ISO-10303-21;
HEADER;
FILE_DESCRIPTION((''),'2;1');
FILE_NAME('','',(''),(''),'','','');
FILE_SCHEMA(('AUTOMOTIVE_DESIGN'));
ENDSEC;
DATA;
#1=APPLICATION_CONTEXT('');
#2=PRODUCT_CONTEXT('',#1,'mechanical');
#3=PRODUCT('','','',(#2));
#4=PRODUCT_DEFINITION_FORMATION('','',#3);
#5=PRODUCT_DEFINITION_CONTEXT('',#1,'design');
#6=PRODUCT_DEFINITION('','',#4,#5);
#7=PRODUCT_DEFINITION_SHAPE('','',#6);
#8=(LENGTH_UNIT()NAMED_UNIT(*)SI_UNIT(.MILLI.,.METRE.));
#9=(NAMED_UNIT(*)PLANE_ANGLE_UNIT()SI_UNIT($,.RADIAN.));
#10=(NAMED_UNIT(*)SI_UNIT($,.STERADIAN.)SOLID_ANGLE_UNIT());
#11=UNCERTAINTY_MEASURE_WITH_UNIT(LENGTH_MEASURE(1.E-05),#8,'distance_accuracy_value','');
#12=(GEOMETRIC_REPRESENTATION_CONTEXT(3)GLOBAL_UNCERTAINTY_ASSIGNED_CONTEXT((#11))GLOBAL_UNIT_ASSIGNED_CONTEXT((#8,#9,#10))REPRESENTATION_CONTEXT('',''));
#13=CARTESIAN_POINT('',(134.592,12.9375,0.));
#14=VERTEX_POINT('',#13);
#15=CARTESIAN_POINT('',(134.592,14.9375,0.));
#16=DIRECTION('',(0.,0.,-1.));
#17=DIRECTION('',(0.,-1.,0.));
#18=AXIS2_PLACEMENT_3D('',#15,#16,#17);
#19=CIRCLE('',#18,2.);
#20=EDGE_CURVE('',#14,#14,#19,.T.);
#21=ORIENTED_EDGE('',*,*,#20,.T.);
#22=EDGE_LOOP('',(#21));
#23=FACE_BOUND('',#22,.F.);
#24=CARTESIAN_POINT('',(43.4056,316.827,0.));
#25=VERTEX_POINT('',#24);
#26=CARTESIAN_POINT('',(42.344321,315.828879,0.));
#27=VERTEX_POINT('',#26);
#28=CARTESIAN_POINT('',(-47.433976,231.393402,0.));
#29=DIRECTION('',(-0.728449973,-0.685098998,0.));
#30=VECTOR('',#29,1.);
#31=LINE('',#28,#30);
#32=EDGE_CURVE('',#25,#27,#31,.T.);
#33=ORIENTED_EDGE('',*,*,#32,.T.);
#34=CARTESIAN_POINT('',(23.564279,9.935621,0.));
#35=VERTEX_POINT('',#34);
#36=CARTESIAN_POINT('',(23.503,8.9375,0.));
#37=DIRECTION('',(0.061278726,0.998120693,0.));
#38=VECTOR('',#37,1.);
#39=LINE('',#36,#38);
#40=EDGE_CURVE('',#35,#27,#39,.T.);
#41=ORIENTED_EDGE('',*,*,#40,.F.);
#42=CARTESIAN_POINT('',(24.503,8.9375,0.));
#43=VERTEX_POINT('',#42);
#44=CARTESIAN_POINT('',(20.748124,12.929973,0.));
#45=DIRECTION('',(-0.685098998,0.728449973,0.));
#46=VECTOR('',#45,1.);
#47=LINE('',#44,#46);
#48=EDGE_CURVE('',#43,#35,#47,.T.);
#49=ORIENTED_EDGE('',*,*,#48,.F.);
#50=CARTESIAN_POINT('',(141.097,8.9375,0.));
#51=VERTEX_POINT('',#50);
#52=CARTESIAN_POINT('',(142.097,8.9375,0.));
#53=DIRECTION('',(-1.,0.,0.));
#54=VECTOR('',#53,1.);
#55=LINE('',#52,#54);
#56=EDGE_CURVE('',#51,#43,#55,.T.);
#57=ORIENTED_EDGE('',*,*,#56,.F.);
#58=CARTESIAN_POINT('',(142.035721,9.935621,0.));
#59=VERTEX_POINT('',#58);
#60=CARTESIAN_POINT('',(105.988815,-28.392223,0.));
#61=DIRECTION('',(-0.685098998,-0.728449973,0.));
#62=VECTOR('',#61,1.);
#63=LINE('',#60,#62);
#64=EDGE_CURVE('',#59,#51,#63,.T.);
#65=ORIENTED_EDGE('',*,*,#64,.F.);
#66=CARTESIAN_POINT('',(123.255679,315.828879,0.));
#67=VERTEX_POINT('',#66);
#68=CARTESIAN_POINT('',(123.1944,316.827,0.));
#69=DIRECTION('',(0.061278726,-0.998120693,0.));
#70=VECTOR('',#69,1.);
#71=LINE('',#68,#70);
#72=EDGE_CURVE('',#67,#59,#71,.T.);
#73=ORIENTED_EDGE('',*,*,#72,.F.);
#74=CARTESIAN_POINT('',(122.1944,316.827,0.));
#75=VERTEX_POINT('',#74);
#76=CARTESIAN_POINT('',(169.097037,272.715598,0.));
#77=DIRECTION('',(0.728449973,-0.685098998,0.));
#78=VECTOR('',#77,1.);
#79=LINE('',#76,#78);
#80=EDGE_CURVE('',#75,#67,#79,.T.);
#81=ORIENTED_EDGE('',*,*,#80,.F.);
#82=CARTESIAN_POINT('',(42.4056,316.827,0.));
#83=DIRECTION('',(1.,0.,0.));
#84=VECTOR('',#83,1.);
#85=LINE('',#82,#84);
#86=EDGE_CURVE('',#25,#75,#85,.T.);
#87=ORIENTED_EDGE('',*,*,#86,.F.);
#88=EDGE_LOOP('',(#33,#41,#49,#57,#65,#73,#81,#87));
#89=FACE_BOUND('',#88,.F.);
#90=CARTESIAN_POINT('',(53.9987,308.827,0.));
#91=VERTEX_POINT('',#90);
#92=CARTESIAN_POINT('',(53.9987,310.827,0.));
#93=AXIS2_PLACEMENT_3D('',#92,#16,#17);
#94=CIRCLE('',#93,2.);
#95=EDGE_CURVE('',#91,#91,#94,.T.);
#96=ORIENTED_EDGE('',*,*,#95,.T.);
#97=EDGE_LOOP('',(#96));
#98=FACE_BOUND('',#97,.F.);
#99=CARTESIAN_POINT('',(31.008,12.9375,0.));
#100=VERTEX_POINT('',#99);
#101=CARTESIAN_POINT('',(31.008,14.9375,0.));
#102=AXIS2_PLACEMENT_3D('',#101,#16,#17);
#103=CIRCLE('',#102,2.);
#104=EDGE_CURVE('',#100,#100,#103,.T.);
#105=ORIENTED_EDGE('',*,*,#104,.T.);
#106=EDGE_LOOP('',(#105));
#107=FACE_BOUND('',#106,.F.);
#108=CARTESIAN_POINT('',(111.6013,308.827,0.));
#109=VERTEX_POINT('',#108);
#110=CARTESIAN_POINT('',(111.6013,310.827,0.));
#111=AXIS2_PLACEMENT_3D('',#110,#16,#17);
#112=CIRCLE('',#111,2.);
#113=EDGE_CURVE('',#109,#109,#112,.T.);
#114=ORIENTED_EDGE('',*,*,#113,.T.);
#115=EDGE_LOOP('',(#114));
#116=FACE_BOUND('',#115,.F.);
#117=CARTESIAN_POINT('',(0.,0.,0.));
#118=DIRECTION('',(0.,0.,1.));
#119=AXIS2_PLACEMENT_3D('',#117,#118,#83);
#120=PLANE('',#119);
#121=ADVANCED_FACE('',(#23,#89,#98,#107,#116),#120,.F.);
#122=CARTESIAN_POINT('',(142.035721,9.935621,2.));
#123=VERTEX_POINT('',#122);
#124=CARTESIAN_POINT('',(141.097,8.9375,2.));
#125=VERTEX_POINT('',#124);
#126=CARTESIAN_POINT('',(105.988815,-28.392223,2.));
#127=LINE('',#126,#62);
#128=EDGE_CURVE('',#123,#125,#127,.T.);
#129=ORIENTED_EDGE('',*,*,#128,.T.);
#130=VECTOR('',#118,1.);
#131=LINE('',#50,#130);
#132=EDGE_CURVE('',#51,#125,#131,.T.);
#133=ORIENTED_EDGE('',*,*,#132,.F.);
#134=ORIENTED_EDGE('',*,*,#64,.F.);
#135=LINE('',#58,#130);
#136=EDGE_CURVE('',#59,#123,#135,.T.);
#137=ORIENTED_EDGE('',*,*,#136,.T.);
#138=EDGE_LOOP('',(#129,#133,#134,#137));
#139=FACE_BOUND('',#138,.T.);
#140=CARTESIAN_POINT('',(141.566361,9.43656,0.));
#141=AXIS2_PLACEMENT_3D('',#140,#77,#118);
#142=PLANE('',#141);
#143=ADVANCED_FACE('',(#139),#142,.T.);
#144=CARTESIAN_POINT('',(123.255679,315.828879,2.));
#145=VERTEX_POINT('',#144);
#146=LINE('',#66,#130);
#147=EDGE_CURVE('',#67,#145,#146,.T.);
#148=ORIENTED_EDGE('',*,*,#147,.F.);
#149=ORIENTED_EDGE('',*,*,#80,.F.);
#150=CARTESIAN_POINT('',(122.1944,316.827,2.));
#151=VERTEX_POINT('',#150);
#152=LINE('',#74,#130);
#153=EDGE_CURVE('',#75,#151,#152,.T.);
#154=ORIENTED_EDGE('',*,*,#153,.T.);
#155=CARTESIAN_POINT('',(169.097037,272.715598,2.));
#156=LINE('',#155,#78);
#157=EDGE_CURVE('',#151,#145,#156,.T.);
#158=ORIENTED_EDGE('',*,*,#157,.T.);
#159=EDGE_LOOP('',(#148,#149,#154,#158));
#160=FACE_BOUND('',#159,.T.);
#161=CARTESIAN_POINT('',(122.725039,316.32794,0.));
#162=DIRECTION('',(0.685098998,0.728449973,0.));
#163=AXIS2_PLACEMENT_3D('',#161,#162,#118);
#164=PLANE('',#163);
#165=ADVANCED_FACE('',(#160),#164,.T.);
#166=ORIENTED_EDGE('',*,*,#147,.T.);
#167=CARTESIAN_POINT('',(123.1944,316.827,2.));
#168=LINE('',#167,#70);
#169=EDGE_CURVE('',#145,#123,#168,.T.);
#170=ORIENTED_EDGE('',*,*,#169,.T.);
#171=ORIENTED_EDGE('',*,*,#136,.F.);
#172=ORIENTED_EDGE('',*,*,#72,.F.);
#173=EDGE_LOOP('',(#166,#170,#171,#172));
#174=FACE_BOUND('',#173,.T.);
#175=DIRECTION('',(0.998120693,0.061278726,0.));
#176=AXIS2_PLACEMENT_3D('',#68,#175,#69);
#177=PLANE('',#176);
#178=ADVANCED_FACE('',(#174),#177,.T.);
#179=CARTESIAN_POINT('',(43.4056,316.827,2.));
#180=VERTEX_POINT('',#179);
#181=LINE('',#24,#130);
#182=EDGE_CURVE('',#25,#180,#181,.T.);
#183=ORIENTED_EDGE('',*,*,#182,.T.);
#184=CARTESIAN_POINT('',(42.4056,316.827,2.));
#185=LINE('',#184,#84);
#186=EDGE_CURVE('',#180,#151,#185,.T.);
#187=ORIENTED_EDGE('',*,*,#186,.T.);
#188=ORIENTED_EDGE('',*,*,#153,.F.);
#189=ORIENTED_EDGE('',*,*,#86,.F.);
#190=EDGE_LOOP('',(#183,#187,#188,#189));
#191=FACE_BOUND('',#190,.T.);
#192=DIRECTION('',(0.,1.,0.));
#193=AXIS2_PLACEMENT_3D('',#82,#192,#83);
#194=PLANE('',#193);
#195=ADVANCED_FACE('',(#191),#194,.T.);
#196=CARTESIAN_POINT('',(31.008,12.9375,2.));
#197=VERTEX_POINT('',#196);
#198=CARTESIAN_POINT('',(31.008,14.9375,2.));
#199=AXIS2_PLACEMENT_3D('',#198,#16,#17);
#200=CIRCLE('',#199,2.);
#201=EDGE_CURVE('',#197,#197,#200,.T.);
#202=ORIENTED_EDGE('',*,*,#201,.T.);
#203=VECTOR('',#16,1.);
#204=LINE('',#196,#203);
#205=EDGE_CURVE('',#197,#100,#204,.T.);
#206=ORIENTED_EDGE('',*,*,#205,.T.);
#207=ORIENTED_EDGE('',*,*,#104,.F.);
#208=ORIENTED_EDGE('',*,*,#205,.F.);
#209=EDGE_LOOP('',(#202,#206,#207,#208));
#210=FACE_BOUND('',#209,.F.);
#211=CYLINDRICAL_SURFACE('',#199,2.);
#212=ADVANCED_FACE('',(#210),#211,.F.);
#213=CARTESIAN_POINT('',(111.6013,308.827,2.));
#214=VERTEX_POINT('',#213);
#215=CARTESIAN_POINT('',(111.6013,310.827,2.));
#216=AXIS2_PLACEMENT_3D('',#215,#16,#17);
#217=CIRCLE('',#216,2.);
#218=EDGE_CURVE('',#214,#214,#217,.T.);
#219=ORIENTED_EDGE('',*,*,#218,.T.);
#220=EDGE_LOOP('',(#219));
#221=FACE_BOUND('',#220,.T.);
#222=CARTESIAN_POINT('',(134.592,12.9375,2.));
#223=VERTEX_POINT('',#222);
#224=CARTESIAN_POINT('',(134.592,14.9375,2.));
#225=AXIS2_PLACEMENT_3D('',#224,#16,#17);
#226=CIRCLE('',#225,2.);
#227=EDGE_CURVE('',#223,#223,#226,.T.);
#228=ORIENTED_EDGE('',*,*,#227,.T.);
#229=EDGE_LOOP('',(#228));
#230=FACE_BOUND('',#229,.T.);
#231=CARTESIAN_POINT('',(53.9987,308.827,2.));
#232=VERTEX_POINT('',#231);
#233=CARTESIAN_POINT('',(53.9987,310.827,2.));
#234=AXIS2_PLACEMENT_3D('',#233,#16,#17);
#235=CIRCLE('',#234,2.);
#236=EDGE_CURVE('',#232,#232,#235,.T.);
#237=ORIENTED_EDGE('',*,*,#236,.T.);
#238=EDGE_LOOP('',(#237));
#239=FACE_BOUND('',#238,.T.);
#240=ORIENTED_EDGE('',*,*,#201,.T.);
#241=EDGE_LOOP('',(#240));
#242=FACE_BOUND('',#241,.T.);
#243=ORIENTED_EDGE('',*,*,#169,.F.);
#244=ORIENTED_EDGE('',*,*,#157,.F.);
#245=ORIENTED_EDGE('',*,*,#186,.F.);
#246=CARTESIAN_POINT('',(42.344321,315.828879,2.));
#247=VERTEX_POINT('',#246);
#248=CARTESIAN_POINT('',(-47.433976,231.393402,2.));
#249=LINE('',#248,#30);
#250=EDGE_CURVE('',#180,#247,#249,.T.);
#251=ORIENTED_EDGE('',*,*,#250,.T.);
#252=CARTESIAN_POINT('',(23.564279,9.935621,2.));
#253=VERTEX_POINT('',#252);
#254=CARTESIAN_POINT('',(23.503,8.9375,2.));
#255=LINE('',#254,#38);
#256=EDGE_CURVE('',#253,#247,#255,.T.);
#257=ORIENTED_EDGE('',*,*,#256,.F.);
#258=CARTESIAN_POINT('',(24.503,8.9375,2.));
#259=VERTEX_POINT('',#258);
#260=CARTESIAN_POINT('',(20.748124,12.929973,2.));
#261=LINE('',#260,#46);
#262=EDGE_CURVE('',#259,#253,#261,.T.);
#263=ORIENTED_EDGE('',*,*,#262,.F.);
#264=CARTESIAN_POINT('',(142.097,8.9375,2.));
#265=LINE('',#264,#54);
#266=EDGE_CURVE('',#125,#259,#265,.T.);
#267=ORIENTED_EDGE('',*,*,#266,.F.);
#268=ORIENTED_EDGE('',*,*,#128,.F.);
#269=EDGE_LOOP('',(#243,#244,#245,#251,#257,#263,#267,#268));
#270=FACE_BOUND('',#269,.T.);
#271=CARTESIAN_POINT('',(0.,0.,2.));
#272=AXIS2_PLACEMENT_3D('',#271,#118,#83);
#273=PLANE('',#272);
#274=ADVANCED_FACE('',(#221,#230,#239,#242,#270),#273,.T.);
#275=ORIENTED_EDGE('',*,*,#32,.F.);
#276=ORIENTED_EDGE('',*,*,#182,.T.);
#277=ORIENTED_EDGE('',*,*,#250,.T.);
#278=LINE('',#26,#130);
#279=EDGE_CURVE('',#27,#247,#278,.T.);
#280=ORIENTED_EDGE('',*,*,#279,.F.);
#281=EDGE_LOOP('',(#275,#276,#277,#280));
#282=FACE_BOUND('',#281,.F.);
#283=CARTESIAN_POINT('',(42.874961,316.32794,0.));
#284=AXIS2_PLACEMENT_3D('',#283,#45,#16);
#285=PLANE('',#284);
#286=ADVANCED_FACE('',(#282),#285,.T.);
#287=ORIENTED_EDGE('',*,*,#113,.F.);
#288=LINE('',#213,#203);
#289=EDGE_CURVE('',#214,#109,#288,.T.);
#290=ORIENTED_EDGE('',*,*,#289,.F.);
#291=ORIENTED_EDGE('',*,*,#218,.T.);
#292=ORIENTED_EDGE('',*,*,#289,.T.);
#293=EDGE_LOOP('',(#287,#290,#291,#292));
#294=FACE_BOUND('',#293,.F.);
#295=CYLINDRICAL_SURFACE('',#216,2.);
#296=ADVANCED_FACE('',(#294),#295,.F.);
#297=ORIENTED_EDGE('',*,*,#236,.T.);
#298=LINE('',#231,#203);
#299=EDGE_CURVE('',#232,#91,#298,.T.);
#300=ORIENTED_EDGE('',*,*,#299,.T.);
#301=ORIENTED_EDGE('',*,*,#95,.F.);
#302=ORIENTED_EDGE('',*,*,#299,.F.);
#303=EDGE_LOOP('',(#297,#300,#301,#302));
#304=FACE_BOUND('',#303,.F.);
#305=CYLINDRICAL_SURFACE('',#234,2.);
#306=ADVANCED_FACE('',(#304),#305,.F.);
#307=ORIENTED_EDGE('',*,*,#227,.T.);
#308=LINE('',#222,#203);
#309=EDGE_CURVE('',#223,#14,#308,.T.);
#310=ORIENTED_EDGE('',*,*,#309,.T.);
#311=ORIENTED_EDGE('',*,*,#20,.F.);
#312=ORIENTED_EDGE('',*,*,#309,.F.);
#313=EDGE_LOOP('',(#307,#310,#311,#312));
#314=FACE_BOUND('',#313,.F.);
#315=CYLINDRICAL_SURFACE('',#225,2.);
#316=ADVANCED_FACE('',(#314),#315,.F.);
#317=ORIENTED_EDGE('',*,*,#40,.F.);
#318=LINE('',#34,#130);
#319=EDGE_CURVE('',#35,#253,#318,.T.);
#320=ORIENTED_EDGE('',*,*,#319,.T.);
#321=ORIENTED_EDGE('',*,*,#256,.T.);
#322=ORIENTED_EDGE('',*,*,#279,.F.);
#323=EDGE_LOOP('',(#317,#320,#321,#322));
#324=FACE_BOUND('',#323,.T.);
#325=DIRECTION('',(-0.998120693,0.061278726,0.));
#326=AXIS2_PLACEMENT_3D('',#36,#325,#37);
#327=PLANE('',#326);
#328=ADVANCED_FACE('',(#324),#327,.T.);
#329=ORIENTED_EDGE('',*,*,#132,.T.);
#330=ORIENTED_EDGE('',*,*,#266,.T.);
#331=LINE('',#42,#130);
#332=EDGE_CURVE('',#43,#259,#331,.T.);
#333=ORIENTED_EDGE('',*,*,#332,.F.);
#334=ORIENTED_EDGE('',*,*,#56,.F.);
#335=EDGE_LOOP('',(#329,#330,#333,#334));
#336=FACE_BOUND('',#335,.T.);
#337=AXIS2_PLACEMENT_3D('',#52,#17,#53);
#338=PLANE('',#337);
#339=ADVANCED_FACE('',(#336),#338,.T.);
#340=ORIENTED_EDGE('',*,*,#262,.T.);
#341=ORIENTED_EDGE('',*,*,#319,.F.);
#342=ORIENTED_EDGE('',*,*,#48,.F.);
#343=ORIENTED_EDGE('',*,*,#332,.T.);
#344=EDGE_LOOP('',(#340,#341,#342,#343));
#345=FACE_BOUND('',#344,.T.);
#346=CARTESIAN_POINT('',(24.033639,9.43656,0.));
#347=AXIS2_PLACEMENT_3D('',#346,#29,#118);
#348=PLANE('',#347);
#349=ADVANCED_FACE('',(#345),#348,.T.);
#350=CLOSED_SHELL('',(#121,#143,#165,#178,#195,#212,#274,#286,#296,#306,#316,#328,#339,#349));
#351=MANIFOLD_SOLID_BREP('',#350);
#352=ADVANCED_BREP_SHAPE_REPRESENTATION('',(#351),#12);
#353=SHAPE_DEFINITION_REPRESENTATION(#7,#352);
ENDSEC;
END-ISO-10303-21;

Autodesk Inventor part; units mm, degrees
ref_plane "YZ Plane" through (0, 0, 0) normal (1, 0, 0) x (0, 1, 0)
ref_plane "XZ Plane" through (0, 0, 0) normal (0, 1, 0) x (-1, 0, 0)
ref_plane "XY Plane" through (0, 0, 0) normal (0, 0, 1) x (1, 0, 0)
ref_plane "Work Plane1" through (0, 0, 0) normal (0, 0, 1) x (1, 0, 0)
sketch "Sketch1" plane through (0, 0, 0) normal (0, 0, 1) x (1, 0, 0)
  line L0 (143.1602, 7.9375) -> (124.1349, 317.827) construction
  line L1 (145.6, 317.827) -> (20, 317.827) construction
  line L2 (41.4651, 317.827) -> (22.4398, 7.9375) construction
  line L3 (165.6, 7.9375) -> (0, 7.9375) construction
  line L4 (41.4651, 317.827) -> (124.1349, 317.827)
  line L5 (124.1349, 317.827) -> (143.1602, 7.9375)
  line L6 (143.1602, 7.9375) -> (22.4398, 7.9375)
  line L7 (22.4398, 7.9375) -> (41.4651, 317.827)
  line L8 (42.4056, 316.827) -> (123.1944, 316.827)
  line L9 (123.1944, 316.827) -> (142.097, 8.9375)
  line L10 (142.097, 8.9375) -> (23.503, 8.9375)
  line L11 (23.503, 8.9375) -> (42.4056, 316.827)
  point P0 (0, 0)
  dimension "d2" = 1
extrude "Extrusion1" add sketch "Sketch1" along normal blind 2 contours L8 L9 L10 L11
chamfer "Chamfer1" distance 1 angle 45 4 edges at (123.1944, 316.827, 1) (42.4056, 316.827, 1) (142.097, 8.9375, 1) (23.503, 8.9375, 1)
sketch "Sketch2" plane through (0, 0, 2) normal (0, 0, 1) x (1, 0, 0)
  line L0 (122.1944, 316.827) -> (43.4056, 316.827) construction
  line L1 (24.503, 8.9375) -> (141.097, 8.9375) construction
  line L2 (43.4056, 316.827) -> (122.1944, 316.827) construction
  line L3 (82.8, 316.827) -> (82.8, 8.9375) construction
  line L4 (141.097, 8.9375) -> (24.503, 8.9375) construction
  point P0 (0, 0)
  point P1 (53.9987, 310.827)
  point P2 (31.008, 14.9375)
  point P3 (111.6013, 310.827)
  point P4 (134.592, 14.9375)
  dimension "d6" = 6
  dimension "d7" = 6
hole "Hole1" at (53.9987, 310.827, 2) at (31.008, 14.9375, 2) at (111.6013, 310.827, 2) at (134.592, 14.9375, 2) direction (0, 0, -1) diameter 4 end through all
properties part number "LowerPlate"
